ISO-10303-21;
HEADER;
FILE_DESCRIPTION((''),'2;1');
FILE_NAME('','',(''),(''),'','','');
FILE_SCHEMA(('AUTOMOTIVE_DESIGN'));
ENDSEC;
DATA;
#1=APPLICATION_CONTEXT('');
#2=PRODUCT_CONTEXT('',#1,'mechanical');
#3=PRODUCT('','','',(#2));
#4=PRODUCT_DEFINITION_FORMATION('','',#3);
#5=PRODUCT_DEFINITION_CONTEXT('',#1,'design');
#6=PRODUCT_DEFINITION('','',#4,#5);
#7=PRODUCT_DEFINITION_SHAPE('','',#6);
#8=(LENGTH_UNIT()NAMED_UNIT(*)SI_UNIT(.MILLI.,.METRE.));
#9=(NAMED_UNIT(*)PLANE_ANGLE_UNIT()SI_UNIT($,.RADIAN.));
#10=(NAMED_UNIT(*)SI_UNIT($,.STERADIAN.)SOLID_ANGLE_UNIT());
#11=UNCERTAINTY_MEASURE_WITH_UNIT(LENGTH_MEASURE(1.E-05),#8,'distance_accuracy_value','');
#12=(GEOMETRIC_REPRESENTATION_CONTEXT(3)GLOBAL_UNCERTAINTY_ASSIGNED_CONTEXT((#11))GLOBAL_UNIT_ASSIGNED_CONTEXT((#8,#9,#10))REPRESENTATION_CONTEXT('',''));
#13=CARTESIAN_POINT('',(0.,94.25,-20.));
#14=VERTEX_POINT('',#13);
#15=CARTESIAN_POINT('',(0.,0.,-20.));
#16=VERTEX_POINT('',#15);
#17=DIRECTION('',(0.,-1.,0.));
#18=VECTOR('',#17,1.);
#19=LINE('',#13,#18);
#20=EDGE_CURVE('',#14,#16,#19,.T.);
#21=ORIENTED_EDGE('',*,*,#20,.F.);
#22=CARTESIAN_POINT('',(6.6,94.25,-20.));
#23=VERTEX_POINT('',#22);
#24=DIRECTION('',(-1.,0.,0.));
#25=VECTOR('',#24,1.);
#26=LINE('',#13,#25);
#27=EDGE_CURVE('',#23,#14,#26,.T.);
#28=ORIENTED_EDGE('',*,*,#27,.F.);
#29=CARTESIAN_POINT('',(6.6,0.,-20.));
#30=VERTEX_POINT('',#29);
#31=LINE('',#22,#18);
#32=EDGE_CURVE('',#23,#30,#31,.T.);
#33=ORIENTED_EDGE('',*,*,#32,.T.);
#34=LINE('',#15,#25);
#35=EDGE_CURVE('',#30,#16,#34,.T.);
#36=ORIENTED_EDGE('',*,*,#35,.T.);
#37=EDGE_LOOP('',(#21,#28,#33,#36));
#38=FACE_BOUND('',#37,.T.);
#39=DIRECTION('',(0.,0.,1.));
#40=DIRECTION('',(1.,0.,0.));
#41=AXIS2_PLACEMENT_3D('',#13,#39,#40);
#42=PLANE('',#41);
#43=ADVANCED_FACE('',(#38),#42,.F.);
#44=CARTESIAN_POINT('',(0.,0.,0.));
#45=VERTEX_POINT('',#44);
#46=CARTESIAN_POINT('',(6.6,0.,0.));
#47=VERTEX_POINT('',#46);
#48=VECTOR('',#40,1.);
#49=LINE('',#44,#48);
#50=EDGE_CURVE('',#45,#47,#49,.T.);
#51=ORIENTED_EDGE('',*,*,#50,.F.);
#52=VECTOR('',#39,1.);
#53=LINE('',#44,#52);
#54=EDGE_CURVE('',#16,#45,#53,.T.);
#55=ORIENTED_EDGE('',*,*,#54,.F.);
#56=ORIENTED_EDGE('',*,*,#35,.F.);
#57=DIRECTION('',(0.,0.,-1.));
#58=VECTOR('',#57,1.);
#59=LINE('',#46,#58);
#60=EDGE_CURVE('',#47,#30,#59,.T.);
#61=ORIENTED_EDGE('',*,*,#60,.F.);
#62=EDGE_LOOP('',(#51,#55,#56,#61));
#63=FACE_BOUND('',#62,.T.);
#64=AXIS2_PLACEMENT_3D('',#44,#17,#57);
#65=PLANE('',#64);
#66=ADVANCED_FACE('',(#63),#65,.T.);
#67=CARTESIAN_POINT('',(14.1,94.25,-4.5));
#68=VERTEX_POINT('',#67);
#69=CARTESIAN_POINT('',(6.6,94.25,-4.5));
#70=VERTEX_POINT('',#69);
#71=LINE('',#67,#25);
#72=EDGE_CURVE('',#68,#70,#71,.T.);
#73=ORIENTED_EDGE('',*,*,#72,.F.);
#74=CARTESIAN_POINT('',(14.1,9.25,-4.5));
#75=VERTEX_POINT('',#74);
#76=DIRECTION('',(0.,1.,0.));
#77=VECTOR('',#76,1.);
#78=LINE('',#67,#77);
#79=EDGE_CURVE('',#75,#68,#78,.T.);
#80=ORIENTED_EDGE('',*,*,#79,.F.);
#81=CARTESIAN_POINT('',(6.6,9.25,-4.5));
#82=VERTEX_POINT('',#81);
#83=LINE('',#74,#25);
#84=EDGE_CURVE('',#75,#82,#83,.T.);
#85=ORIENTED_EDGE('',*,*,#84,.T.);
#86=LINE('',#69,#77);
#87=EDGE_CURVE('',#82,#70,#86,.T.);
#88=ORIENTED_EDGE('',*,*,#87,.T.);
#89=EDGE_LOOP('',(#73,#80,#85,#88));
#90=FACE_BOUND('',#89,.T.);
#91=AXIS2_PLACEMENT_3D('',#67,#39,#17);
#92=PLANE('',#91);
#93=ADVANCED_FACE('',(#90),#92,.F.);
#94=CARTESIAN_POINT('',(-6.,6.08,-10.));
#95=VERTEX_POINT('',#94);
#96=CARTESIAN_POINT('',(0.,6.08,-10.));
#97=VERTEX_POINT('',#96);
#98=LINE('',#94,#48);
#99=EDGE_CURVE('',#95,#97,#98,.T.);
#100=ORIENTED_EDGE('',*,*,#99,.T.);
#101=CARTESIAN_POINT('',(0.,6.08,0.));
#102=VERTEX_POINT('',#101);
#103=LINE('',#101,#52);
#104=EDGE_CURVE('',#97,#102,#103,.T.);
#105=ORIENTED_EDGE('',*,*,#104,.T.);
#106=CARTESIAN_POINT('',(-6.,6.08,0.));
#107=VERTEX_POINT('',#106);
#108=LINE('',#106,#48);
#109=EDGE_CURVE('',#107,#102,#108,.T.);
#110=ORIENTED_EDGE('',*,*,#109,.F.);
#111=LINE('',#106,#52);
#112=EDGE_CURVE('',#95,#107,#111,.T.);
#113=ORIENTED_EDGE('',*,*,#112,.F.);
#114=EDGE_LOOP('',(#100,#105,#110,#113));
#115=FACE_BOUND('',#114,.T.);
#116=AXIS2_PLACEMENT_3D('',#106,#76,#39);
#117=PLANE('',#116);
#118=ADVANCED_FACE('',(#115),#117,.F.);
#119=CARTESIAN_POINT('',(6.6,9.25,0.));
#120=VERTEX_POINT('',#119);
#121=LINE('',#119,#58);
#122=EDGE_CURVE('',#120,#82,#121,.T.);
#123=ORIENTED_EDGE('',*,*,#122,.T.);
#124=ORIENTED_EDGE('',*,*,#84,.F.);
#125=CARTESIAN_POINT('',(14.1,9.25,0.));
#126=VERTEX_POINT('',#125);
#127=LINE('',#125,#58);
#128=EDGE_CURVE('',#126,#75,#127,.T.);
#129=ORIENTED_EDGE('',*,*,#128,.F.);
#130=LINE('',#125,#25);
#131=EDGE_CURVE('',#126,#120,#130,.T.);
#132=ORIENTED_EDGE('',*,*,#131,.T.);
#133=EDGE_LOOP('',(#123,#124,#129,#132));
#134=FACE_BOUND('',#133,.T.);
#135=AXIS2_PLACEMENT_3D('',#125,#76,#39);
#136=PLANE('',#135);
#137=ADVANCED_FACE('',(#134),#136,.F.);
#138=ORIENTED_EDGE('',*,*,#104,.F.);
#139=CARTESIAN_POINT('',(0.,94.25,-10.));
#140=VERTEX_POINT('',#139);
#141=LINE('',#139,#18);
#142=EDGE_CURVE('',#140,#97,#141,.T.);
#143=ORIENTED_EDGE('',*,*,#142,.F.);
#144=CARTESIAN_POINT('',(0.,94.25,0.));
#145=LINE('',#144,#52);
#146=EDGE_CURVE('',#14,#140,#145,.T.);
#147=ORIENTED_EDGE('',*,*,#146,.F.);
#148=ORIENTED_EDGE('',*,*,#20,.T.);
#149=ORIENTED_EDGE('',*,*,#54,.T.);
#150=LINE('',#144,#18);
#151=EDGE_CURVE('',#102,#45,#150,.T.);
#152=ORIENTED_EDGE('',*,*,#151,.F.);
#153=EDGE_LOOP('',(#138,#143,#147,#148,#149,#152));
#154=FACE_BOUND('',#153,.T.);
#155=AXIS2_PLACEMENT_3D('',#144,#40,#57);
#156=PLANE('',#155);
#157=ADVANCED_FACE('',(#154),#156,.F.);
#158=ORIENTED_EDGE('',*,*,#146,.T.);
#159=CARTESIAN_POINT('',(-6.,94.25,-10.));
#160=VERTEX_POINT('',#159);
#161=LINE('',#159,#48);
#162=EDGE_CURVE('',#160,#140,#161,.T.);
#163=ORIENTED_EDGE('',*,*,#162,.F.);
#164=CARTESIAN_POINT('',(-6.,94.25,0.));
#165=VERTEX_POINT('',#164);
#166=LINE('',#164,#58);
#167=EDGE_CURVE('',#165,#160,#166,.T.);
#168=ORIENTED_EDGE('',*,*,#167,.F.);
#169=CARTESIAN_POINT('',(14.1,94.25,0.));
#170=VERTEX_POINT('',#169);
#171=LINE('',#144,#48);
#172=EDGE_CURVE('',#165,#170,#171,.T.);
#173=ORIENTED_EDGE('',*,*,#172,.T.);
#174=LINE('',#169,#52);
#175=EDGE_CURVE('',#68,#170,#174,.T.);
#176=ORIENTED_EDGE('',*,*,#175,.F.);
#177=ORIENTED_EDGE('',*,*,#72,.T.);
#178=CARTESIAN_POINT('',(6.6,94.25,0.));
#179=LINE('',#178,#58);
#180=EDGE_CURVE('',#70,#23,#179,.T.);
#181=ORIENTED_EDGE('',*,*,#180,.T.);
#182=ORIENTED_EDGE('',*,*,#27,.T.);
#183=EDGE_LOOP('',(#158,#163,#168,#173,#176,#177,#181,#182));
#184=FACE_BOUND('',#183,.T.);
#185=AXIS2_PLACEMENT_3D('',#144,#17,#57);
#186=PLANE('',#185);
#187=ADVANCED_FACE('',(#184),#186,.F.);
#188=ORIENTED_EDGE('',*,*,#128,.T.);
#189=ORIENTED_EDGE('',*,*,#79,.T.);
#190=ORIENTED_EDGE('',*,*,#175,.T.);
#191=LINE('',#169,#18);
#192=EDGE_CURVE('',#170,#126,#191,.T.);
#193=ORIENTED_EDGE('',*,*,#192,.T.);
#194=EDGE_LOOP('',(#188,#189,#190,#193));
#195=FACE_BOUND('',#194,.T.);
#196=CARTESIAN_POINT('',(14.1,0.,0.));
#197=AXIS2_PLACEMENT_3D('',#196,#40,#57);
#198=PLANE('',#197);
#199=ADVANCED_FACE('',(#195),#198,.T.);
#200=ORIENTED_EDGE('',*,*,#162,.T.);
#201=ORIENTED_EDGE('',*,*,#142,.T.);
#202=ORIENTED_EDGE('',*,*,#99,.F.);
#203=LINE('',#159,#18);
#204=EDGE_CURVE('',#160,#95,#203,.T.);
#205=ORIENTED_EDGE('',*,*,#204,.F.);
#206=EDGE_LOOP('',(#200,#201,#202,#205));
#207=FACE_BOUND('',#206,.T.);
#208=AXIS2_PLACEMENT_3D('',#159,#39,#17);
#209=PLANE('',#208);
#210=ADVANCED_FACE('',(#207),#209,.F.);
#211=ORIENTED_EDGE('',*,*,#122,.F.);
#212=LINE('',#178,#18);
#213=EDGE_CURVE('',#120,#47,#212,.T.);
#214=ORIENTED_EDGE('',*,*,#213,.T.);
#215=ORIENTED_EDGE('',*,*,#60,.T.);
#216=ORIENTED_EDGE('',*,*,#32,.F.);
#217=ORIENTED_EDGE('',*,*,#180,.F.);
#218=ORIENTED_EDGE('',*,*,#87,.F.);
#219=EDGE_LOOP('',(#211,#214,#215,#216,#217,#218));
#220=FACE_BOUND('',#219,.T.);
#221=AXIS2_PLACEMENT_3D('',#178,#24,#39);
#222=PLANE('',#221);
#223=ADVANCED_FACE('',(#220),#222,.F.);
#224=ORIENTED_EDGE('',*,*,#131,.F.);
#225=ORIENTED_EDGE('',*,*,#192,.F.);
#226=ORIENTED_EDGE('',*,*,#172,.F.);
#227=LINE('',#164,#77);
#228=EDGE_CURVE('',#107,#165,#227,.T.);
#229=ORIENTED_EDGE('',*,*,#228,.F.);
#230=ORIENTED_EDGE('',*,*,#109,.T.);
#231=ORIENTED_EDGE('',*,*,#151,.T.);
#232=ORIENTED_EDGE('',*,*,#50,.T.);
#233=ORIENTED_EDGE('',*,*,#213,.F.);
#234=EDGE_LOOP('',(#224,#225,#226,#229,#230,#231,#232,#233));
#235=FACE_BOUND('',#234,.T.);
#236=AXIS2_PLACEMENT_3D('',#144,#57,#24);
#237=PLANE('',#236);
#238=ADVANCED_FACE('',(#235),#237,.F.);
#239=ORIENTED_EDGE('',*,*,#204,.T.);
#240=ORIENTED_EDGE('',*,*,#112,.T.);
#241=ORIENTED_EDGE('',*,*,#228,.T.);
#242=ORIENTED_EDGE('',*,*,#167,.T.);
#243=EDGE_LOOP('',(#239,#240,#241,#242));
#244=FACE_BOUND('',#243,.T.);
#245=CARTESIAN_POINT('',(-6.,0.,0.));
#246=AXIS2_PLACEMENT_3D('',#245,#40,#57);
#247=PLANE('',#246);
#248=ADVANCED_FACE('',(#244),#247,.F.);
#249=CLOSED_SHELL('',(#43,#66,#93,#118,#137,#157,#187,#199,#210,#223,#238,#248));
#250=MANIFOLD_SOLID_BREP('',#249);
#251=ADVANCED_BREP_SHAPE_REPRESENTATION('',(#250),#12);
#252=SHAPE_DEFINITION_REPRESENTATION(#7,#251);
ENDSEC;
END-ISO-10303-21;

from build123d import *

# Parameters (mm, degrees)
SKETCH1_W           = 6.6
SKETCH1_H           = 20
BOSS_EXTRUDE1_DEPTH = 94.25
SKETCH3_W           = 10
SKETCH3_H           = 88.17
BOSS_EXTRUDE2_DEPTH = 6
SKETCH4_W           = 4.5
SKETCH4_H           = 85
BOSS_EXTRUDE3_DEPTH = 7.5


with BuildPart() as part:
    # Sketch1 → Boss-Extrude1 (new body)
    with BuildSketch(Plane(origin=(0, 0, 0), x_dir=(1, 0, 0), z_dir=(0, 1, 0))):
        with Locations((3.3, 10)):
            Rectangle(SKETCH1_W, SKETCH1_H)
    extrude(amount=BOSS_EXTRUDE1_DEPTH)

    # Sketch3 → Boss-Extrude2 (add)
    with BuildSketch(Plane.ZY):
        with Locations((-5, 50.165)):
            Rectangle(SKETCH3_W, SKETCH3_H)
    extrude(amount=BOSS_EXTRUDE2_DEPTH)

    # Sketch4 → Boss-Extrude3 (add)
    with BuildSketch(Plane(origin=(6.6, 0, 0), x_dir=(0, 0, -1), z_dir=(1, 0, 0))):
        with Locations((2.25, 51.75)):
            Rectangle(SKETCH4_W, SKETCH4_H)
    extrude(amount=BOSS_EXTRUDE3_DEPTH)


solid = part.part
